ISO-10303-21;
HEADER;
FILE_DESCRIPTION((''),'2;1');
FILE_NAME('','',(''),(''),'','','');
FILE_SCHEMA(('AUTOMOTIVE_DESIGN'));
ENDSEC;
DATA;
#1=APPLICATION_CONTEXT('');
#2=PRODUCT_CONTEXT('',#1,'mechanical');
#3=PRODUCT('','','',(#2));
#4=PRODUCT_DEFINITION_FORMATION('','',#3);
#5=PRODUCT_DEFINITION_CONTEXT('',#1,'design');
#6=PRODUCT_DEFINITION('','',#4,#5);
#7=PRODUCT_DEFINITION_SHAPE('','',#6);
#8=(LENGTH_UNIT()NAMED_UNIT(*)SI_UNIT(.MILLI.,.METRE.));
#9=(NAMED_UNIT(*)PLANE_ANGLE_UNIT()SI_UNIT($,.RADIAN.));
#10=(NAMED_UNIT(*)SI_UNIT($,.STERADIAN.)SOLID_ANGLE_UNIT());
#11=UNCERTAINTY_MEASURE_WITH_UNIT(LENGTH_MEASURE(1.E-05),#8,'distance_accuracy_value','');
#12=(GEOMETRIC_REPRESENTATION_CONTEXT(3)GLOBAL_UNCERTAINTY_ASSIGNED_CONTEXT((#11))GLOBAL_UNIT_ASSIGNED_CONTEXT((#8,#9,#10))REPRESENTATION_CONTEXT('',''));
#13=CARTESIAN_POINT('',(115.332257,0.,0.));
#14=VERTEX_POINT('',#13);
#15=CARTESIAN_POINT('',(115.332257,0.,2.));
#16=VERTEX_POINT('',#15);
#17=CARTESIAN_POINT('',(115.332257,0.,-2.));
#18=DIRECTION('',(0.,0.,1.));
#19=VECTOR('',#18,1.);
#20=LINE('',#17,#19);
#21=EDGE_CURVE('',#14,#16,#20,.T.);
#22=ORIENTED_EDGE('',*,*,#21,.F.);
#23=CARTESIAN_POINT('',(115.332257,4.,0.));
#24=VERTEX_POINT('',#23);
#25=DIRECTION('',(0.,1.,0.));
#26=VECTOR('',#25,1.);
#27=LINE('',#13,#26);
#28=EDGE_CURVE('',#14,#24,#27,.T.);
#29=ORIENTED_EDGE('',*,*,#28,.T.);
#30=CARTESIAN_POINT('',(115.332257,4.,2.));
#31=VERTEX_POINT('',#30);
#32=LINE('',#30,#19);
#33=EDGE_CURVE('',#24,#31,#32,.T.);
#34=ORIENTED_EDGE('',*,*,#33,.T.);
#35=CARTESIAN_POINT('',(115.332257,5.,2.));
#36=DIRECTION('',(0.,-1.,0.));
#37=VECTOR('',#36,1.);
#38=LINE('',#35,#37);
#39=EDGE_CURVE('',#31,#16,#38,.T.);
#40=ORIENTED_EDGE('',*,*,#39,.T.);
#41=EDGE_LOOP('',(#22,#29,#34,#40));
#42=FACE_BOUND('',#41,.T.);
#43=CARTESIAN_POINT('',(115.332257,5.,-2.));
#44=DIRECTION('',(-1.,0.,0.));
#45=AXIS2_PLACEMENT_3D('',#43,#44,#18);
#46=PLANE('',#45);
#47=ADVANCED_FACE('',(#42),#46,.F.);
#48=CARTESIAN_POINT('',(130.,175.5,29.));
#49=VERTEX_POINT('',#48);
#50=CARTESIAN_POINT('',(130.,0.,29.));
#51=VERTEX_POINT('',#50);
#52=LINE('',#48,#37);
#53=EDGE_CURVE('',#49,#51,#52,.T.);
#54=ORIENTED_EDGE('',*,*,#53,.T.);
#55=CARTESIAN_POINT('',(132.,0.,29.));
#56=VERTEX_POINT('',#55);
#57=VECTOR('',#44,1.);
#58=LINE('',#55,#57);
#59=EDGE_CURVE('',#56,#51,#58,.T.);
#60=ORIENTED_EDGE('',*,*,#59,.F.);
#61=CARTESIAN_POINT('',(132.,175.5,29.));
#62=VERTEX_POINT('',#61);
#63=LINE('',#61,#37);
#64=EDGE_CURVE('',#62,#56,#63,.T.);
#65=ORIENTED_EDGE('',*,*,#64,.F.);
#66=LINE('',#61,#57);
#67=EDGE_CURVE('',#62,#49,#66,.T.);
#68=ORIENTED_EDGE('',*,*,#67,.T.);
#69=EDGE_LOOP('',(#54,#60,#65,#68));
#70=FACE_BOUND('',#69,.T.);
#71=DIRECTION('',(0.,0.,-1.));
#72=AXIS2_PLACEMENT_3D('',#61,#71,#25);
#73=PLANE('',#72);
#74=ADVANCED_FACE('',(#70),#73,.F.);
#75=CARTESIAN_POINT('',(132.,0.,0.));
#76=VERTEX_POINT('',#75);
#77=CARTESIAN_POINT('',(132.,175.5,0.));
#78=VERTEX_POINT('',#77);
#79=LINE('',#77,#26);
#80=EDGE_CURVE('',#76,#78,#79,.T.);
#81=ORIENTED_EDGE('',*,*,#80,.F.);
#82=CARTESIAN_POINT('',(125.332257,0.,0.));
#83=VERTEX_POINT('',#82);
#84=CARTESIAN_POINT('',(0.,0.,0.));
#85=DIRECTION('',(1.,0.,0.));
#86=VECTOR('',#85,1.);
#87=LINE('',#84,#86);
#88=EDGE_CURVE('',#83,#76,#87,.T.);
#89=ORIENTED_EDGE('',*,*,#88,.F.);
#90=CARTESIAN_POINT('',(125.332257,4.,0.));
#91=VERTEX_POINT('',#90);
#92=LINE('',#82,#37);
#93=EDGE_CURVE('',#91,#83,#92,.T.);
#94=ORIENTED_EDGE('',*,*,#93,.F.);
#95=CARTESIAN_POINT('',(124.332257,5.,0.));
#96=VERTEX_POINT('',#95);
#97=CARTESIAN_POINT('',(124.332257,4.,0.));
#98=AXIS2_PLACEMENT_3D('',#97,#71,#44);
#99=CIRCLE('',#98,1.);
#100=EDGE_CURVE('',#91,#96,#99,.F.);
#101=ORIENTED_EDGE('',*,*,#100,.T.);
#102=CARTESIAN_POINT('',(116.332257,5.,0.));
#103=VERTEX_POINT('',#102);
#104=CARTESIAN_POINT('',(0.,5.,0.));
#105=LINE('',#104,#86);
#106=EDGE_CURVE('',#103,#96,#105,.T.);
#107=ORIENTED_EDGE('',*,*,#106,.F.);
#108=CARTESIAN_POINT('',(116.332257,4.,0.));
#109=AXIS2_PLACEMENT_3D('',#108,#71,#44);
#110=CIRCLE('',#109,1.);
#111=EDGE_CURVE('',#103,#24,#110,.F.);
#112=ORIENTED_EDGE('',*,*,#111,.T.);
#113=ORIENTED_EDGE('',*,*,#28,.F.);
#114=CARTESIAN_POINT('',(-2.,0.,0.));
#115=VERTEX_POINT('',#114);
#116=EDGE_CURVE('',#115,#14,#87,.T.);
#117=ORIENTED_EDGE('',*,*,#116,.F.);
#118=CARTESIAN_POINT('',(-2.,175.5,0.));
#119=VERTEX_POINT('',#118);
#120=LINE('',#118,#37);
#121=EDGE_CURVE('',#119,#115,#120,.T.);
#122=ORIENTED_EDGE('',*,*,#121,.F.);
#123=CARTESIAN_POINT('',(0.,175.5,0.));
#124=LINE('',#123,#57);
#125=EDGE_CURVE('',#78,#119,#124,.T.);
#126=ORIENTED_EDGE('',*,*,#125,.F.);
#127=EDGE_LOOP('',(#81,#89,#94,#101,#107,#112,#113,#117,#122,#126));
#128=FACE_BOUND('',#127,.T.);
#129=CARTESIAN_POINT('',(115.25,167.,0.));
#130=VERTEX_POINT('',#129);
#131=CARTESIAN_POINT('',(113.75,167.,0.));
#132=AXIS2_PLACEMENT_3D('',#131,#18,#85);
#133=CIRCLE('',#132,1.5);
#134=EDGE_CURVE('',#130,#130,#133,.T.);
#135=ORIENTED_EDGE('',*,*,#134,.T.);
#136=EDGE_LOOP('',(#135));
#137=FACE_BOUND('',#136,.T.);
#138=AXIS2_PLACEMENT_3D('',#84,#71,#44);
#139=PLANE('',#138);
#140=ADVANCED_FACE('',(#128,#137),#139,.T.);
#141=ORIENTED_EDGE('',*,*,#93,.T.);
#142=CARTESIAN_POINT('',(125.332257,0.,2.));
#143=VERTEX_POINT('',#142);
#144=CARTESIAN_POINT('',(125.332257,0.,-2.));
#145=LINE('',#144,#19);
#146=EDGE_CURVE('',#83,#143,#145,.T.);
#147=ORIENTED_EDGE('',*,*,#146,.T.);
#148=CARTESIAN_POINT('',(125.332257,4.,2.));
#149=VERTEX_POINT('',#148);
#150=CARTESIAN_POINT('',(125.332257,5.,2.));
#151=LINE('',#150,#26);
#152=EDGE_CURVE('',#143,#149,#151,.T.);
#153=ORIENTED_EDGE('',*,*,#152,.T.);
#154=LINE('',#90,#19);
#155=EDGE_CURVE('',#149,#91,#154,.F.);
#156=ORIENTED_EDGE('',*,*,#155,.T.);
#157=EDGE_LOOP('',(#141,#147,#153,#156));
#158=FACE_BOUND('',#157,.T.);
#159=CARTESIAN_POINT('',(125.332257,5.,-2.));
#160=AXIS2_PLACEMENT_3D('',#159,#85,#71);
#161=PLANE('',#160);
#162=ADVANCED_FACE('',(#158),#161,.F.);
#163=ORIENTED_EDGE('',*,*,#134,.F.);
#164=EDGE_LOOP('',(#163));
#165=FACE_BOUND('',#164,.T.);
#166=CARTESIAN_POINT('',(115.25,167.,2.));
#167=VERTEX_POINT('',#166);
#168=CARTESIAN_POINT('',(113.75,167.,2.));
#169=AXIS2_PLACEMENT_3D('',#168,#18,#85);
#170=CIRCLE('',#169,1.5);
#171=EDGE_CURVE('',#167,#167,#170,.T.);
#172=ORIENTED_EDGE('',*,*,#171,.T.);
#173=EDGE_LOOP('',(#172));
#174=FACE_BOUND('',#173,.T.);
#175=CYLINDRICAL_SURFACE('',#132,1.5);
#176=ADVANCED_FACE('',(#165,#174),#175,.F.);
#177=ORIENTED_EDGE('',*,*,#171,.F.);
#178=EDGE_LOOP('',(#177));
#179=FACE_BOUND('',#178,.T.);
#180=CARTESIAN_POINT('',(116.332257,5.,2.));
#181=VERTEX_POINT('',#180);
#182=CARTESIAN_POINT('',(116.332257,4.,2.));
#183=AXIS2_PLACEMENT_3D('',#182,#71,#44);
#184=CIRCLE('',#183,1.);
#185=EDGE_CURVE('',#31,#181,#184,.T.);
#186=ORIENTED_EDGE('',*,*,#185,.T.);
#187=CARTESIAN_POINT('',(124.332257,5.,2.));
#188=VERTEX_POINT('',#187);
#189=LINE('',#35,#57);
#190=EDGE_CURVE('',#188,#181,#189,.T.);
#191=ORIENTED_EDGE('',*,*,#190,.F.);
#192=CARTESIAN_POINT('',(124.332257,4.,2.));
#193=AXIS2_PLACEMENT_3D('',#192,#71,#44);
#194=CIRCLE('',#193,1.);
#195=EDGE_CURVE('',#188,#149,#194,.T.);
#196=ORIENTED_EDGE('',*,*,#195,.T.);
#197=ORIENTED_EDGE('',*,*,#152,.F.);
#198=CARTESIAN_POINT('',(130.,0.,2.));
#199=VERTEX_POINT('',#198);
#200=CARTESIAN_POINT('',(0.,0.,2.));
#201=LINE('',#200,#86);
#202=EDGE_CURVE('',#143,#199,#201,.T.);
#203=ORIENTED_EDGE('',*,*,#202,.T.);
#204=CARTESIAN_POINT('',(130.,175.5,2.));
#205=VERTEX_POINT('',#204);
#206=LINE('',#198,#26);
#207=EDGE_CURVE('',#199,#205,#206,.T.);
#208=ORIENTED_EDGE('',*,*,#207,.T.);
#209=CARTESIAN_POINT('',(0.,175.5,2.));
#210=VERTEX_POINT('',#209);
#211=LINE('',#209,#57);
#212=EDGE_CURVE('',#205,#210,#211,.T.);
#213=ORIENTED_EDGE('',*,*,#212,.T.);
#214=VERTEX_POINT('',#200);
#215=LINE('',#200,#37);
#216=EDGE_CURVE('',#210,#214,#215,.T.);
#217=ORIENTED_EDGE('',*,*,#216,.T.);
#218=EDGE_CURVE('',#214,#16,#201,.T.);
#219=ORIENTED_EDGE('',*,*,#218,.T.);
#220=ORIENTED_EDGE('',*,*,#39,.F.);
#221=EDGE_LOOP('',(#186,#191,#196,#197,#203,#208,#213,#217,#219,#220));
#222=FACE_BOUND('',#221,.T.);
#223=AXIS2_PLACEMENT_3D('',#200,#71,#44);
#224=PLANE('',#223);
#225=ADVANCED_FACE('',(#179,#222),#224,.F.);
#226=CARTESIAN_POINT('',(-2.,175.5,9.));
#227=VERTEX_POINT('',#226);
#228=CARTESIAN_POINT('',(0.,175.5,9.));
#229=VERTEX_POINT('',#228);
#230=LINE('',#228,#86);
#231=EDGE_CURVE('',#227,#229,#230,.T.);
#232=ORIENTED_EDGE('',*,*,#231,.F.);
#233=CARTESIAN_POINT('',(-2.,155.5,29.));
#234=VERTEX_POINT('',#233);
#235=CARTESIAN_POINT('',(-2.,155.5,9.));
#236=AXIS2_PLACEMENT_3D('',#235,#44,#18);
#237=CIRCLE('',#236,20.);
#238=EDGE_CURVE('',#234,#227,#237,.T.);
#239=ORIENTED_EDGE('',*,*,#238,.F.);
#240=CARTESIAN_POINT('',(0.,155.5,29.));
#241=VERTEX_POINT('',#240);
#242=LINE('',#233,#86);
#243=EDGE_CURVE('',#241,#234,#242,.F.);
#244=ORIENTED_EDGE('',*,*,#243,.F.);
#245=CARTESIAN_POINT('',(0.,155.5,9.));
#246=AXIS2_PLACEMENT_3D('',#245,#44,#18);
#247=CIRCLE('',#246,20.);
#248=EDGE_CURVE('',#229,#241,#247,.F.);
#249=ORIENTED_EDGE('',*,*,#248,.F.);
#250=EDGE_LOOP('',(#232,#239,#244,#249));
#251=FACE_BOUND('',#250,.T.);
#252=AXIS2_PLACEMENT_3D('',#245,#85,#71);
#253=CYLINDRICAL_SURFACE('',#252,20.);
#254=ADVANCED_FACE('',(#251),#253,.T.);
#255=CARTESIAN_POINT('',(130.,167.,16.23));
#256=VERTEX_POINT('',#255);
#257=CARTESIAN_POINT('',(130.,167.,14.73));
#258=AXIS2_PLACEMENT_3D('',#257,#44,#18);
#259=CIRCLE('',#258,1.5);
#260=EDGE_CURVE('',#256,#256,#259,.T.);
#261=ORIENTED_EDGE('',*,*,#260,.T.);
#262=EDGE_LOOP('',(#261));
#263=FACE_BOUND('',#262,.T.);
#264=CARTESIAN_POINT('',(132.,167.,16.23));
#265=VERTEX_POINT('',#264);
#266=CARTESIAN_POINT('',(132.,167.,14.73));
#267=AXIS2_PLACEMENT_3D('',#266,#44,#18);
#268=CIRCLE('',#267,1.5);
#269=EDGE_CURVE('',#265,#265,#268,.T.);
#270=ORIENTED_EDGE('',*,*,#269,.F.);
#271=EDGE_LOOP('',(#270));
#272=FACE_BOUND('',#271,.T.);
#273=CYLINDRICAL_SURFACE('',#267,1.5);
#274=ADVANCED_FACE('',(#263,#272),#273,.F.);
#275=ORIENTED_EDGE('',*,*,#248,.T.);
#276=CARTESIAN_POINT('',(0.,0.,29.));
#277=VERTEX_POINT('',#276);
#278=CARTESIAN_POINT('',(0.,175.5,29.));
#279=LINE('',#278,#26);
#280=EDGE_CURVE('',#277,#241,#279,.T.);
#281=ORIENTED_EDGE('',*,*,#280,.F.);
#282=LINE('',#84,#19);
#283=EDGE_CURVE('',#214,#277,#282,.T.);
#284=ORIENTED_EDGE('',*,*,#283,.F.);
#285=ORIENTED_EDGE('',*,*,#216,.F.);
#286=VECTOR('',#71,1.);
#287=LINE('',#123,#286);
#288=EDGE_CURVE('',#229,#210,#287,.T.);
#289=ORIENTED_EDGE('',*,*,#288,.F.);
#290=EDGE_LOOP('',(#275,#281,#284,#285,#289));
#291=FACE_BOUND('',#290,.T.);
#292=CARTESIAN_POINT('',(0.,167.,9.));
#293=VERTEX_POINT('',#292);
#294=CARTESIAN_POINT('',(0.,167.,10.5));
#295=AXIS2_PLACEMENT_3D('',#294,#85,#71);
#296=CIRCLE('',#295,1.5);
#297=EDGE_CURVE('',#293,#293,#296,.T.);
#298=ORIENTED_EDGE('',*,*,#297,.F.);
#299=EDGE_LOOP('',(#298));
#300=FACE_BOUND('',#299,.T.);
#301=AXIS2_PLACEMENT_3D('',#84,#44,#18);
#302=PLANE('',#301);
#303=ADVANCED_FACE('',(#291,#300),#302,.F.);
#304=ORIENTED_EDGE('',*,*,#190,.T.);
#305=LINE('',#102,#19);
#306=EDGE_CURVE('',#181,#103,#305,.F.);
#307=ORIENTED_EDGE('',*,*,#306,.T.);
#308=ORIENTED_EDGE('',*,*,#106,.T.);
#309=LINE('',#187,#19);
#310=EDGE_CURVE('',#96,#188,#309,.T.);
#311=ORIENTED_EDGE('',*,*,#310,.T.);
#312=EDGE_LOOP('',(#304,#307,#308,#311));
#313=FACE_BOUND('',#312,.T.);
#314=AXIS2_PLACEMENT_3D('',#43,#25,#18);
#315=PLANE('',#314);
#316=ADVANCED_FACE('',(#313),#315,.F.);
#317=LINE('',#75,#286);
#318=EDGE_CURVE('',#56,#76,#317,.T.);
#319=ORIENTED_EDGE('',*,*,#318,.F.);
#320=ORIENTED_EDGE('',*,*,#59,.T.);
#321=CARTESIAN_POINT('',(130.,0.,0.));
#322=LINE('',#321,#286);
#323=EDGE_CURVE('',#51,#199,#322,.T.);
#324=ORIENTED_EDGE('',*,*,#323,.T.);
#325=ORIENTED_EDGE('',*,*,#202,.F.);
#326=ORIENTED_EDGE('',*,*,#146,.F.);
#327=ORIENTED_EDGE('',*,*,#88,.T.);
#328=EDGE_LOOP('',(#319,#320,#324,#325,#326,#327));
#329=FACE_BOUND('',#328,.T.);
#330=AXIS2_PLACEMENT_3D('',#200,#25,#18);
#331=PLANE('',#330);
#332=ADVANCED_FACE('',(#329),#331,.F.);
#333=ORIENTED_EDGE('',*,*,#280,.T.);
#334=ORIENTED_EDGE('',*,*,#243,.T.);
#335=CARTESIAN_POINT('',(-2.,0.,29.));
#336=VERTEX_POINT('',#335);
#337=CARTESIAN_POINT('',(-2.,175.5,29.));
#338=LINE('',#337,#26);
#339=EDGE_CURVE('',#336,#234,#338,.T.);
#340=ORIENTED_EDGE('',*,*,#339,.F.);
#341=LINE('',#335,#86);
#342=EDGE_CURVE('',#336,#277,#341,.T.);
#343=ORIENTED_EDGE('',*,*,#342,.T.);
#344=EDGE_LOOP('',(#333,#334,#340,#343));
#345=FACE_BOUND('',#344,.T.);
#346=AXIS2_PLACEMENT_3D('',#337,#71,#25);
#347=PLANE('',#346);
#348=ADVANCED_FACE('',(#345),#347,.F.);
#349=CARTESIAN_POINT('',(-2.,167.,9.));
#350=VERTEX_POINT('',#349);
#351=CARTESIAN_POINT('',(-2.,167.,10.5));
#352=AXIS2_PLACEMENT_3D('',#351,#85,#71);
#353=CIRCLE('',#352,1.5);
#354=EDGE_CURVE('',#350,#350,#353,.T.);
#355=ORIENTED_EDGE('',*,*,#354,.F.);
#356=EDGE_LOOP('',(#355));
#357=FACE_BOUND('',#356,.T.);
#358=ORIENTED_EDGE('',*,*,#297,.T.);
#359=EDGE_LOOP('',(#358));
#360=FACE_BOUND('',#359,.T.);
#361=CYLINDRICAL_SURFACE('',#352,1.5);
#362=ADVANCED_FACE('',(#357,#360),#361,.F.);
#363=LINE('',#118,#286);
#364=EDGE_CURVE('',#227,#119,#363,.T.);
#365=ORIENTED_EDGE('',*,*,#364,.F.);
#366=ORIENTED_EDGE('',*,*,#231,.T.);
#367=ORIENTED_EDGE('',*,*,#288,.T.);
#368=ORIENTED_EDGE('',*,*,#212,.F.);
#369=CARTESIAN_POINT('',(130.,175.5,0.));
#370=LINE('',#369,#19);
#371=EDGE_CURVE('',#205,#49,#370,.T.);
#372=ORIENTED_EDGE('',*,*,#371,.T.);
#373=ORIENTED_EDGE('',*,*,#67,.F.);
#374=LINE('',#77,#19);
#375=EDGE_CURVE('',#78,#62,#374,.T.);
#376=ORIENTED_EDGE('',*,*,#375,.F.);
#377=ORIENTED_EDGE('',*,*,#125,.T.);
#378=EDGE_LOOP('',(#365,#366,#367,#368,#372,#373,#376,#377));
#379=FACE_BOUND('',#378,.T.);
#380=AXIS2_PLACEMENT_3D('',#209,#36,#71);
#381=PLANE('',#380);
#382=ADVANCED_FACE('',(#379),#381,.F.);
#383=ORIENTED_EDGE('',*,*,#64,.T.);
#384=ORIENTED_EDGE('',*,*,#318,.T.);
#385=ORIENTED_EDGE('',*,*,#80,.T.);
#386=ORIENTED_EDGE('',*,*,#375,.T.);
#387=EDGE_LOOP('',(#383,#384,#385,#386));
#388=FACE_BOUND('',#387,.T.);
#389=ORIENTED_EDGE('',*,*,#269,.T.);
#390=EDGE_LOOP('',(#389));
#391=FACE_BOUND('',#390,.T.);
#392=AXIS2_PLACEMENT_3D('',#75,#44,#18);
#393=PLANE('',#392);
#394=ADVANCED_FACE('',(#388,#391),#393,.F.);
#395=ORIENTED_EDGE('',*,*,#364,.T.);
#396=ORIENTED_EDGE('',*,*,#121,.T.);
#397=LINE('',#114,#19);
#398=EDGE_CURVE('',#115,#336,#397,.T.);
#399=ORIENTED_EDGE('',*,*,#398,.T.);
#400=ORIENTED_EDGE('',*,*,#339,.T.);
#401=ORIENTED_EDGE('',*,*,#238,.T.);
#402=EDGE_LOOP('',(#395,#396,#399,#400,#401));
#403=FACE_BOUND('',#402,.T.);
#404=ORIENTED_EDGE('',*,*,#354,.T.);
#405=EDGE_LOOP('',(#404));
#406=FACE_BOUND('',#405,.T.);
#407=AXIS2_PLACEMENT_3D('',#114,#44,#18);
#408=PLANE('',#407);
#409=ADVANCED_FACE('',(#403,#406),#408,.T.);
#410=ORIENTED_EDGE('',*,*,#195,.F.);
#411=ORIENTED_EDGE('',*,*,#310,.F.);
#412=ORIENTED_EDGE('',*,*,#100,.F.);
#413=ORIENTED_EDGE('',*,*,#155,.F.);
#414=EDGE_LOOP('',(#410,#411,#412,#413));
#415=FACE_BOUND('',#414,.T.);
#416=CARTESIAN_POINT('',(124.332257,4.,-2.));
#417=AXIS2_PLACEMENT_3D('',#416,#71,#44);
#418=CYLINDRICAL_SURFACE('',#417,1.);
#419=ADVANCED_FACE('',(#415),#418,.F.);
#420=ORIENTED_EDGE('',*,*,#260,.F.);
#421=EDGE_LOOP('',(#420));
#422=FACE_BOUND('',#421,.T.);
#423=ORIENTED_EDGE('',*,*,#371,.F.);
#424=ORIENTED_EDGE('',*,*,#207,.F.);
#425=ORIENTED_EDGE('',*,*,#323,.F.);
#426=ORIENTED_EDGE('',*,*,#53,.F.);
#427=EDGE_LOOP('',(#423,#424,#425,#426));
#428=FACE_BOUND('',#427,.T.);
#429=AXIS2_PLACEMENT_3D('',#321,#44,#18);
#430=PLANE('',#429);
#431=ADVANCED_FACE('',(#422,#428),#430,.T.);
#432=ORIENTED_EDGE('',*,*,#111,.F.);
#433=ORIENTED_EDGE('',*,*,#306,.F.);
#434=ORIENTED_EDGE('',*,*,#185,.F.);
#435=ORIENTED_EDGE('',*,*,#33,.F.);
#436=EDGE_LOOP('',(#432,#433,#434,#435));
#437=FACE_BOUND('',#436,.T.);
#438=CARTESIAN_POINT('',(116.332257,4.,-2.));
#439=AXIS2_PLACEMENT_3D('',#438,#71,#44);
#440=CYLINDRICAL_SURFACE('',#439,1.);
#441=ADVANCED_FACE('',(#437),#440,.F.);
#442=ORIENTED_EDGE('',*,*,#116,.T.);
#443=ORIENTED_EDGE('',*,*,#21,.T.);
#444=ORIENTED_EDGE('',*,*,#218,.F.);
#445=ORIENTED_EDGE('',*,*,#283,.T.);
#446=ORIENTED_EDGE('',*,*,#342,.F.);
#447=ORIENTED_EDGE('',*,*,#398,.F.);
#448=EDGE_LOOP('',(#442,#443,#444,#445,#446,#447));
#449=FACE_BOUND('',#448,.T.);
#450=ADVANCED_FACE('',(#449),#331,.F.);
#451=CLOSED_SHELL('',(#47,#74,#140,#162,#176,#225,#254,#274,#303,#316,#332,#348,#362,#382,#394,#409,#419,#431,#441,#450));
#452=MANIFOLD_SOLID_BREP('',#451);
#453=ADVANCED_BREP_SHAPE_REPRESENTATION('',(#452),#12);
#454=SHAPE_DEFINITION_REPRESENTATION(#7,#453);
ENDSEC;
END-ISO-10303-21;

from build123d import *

# Parameters (mm, degrees)
SKETCH1_W           = 130
SKETCH1_H           = 175.5
BOSS_EXTRUDE1_DEPTH = 2
SKETCH2_W           = 29
SKETCH2_H           = 175.5
BOSS_EXTRUDE2_DEPTH = 2
SKETCH3_W           = 29
SKETCH3_H           = 175.5
BOSS_EXTRUDE3_DEPTH = 2
SKETCH4_W           = 10
SKETCH4_H           = 5
CUT_EXTRUDE1_DEPTH  = 4
FILLET1_R           = 20
FILLET2_R           = 1
SKETCH5_R           = 1.5
CUT_EXTRUDE2_DEPTH  = 2
SKETCH6_R           = 1.5
CUT_EXTRUDE3_DEPTH  = 2
SKETCH7_R           = 1.5
CUT_EXTRUDE4_DEPTH  = 2


with BuildPart() as part:
    # Sketch1 → Boss-Extrude1 (new body)
    with BuildSketch(Plane.XY):
        with Locations((65, 87.75)):
            Rectangle(SKETCH1_W, SKETCH1_H)
    extrude(amount=BOSS_EXTRUDE1_DEPTH)

    # Sketch2 → Boss-Extrude2 (add)
    with BuildSketch(Plane(origin=(130, 0, 0), x_dir=(0, 0, -1), z_dir=(1, 0, 0))):
        with Locations((-14.5, 87.75)):
            Rectangle(SKETCH2_W, SKETCH2_H)
    extrude(amount=BOSS_EXTRUDE2_DEPTH)

    # Sketch3 → Boss-Extrude3 (add)
    with BuildSketch(Plane.ZY):
        with Locations((14.5, 87.75)):
            Rectangle(SKETCH3_W, SKETCH3_H)
    extrude(amount=BOSS_EXTRUDE3_DEPTH)

    # Sketch4 → Cut-Extrude1 (cut)
    with BuildSketch(Plane.XY.offset(2)):
        with Locations((120.332257012, 2.5)):
            Rectangle(SKETCH4_W, SKETCH4_H)
    extrude(amount=-CUT_EXTRUDE1_DEPTH, mode=Mode.SUBTRACT)

    # Fillet1
    fillet1_edges = [part.edges().sort_by_distance(p)[0] for p in [
        (-1, 175.5, 29),
    ]]
    fillet(fillet1_edges, radius=FILLET1_R)

    # Fillet2
    fillet2_edges = [part.edges().sort_by_distance(p)[0] for p in [
        (115.332257012, 5, 1),
        (125.332257012, 5, 1),
    ]]
    fillet(fillet2_edges, radius=FILLET2_R)

    # Sketch5 → Cut-Extrude2 (cut)
    with BuildSketch(Plane.ZY.offset(-130)):
        with Locations((14.73, 167)):
            Circle(SKETCH5_R)
    extrude(amount=-CUT_EXTRUDE2_DEPTH, mode=Mode.SUBTRACT)

    # Sketch6 → Cut-Extrude3 (cut)
    with BuildSketch(Plane.XY.offset(2)):
        with Locations((113.75, 167)):
            Circle(SKETCH6_R)
    extrude(amount=-CUT_EXTRUDE3_DEPTH, mode=Mode.SUBTRACT)

    # Sketch7 → Cut-Extrude4 (cut)
    with BuildSketch(Plane(origin=(0, 0, 0), x_dir=(0, 0, -1), z_dir=(1, 0, 0))):
        with Locations((-10.5, 167)):
            Circle(SKETCH7_R)
    extrude(amount=-CUT_EXTRUDE4_DEPTH, mode=Mode.SUBTRACT)


solid = part.part
